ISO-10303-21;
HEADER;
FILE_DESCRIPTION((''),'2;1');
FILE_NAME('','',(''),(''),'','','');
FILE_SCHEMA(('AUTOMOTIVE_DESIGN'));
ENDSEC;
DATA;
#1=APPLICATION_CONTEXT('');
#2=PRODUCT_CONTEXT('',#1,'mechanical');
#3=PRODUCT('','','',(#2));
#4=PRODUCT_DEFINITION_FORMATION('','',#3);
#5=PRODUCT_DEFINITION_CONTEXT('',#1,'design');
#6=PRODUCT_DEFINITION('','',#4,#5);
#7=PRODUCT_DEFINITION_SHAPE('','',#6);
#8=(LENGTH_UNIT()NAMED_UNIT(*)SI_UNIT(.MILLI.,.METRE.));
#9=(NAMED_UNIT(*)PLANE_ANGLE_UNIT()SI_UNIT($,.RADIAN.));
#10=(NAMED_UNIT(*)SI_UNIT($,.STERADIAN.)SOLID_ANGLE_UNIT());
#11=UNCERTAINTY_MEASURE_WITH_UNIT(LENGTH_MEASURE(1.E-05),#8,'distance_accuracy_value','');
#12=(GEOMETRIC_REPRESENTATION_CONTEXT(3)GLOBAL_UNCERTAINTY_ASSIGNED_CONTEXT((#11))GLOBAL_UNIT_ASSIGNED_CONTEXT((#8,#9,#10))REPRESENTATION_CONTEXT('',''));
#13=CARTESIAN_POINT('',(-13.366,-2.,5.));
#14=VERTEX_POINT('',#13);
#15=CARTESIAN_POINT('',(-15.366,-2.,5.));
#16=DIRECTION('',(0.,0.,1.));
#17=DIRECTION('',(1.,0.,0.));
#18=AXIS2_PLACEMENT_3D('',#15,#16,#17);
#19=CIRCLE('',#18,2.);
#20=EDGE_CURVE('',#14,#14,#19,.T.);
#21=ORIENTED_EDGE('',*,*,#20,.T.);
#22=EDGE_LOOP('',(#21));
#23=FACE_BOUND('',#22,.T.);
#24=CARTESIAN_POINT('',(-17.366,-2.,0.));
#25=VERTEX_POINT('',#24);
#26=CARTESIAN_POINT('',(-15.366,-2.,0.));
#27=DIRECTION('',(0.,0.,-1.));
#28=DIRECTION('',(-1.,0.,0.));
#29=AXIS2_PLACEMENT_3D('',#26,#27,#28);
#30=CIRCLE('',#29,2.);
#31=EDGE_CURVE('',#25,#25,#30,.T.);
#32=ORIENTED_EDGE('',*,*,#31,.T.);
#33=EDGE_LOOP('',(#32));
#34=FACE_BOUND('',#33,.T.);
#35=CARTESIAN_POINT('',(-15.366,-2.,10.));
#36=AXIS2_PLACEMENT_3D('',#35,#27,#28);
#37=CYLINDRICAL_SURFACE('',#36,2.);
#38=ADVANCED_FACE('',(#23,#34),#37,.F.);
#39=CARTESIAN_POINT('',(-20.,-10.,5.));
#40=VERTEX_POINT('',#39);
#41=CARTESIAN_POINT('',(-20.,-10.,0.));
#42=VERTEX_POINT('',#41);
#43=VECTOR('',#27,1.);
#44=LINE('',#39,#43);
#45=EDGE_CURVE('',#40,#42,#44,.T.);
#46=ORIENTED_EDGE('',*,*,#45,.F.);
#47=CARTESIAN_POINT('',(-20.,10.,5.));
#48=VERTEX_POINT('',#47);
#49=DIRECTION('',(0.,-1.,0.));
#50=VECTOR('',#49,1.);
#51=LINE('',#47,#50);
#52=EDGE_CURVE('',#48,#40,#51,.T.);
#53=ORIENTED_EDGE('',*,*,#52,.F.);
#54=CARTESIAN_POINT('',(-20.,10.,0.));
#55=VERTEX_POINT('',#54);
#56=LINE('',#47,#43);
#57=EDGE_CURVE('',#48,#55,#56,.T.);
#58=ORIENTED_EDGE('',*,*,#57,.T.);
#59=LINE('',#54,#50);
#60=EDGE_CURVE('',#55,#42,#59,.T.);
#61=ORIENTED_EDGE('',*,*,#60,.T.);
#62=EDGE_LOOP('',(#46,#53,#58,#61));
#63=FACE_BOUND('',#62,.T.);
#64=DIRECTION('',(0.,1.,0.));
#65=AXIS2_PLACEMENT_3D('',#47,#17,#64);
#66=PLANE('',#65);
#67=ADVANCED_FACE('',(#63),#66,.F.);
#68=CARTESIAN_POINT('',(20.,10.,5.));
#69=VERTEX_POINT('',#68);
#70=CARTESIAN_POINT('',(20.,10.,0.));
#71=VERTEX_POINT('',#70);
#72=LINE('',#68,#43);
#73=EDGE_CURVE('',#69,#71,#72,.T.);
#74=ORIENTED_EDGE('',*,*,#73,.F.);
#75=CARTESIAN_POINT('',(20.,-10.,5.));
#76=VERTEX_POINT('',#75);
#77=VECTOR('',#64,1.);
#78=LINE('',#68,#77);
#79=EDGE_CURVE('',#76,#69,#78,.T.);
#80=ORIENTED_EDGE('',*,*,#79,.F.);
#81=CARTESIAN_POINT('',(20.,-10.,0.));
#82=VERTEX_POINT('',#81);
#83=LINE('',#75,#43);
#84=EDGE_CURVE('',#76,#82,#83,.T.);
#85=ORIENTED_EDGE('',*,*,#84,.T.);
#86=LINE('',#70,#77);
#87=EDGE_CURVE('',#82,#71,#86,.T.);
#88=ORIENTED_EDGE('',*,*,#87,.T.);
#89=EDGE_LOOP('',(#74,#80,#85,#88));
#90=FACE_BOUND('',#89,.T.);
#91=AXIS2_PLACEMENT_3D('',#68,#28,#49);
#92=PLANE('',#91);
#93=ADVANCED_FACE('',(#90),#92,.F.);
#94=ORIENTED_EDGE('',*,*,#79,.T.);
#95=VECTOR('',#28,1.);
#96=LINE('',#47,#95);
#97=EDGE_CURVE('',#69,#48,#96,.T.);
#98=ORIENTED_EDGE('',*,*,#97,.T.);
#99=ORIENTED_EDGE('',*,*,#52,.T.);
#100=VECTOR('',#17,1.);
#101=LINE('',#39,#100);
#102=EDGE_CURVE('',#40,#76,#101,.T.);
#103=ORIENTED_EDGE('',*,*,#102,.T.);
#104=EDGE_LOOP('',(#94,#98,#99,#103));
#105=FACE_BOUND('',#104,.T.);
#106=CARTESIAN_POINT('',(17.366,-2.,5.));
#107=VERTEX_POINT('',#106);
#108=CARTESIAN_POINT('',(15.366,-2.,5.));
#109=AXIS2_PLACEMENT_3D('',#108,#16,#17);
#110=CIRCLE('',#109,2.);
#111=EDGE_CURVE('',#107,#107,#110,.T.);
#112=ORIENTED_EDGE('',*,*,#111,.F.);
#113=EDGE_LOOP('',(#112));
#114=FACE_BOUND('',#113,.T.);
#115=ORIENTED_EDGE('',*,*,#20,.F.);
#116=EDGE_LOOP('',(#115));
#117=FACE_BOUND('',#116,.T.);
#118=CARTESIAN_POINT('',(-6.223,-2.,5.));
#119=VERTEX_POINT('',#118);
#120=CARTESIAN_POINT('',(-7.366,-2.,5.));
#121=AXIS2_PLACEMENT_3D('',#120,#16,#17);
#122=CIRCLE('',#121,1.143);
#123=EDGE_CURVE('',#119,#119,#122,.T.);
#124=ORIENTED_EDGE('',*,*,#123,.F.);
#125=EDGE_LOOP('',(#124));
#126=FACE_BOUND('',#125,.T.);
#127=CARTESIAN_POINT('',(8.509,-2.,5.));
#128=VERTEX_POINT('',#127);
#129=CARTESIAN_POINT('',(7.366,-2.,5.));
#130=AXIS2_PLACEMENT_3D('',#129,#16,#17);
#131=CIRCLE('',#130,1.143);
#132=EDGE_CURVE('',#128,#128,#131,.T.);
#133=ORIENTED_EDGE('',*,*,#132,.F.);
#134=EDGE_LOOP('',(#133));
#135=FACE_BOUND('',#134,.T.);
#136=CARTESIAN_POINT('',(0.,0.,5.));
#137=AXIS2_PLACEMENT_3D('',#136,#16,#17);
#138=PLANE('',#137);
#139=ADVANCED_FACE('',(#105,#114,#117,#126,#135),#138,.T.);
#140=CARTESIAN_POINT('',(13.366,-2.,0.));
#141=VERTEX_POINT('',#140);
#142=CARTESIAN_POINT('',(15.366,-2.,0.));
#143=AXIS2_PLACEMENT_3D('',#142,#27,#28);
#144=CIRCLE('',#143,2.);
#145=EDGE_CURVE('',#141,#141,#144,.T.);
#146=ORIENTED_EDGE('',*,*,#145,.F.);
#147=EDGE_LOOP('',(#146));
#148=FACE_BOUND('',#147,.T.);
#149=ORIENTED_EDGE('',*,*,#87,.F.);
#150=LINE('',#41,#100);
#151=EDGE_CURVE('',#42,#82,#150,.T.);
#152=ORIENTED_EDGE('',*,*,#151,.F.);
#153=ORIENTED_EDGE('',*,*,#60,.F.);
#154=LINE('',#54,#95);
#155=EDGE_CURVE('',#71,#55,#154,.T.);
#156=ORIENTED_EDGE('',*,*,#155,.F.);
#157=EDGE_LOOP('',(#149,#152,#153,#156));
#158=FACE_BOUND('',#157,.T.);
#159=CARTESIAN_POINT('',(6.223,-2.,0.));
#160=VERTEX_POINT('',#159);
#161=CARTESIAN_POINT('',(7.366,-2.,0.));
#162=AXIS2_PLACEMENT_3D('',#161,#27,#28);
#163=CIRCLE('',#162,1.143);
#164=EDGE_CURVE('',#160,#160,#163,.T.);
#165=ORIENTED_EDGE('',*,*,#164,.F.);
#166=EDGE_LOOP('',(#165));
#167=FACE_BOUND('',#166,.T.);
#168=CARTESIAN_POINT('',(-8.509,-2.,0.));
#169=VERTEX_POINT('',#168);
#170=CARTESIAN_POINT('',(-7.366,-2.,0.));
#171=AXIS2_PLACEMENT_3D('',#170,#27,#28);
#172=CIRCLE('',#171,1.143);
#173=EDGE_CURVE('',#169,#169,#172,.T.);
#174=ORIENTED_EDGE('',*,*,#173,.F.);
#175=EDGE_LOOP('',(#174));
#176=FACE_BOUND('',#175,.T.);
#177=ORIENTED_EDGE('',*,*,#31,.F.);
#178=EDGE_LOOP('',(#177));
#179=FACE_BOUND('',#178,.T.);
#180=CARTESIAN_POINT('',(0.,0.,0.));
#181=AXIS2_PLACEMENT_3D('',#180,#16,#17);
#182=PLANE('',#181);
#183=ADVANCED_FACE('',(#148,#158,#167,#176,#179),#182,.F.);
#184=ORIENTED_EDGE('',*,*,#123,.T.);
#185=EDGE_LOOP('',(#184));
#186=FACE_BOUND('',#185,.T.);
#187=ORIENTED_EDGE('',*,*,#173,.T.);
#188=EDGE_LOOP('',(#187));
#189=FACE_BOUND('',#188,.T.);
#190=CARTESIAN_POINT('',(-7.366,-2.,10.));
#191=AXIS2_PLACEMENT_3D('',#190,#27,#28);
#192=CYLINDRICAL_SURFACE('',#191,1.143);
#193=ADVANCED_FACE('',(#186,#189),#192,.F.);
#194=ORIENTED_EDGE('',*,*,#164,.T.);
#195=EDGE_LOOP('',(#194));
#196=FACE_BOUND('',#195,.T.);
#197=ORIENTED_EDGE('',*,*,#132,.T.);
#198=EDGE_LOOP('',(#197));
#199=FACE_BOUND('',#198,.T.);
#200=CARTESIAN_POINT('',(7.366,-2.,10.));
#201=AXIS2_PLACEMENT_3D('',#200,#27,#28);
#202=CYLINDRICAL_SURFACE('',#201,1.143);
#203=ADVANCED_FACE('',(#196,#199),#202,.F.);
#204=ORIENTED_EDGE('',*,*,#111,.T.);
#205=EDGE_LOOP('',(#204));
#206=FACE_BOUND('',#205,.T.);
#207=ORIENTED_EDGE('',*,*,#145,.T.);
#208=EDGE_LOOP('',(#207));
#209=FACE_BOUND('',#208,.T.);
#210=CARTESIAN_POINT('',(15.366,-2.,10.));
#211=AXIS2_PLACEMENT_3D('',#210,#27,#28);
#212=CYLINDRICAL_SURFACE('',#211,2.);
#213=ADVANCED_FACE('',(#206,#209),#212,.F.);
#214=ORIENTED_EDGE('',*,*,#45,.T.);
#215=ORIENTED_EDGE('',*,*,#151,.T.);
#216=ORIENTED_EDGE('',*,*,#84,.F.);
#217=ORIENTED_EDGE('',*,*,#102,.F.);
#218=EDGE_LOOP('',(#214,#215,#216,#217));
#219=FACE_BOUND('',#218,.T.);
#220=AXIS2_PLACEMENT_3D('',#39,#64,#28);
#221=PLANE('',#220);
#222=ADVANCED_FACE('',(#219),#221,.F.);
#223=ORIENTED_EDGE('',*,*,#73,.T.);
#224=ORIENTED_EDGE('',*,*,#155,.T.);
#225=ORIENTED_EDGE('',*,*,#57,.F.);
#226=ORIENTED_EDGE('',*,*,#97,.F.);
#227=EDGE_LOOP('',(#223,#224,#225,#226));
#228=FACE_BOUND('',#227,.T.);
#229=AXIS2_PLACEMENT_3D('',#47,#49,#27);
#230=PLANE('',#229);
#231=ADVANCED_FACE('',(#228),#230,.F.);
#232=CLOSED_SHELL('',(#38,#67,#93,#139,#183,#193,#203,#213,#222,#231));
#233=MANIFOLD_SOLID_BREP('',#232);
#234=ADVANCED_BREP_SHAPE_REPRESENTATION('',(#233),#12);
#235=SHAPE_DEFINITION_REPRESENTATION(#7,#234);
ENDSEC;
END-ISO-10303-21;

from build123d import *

# Parameters (mm, degrees)
SKETCH1_W           = 40
SKETCH1_H           = 20
BOSS_EXTRUDE1_DEPTH = 5
SKETCH2_R           = 1.143
SKETCH2_R_2         = 2
CUT_EXTRUDE1_DEPTH  = 10


with BuildPart() as part:
    # Sketch1 → Boss-Extrude1 (new body)
    with BuildSketch(Plane.XY):
        Rectangle(SKETCH1_W, SKETCH1_H)
    extrude(amount=BOSS_EXTRUDE1_DEPTH)

    # Sketch2 → Cut-Extrude1 (cut)
    with BuildSketch(Plane(origin=(0, 0, 0), x_dir=(-1, 0, 0), z_dir=(0, 0, -1))):
        with Locations((7.366, -2)):
            Circle(SKETCH2_R)
        with Locations((-7.366, -2)):
            Circle(SKETCH2_R)
        with Locations((-15.366, -2)):
            Circle(SKETCH2_R_2)
        with Locations((15.366, -2)):
            Circle(SKETCH2_R_2)
    extrude(amount=-CUT_EXTRUDE1_DEPTH, mode=Mode.SUBTRACT)


solid = part.part
